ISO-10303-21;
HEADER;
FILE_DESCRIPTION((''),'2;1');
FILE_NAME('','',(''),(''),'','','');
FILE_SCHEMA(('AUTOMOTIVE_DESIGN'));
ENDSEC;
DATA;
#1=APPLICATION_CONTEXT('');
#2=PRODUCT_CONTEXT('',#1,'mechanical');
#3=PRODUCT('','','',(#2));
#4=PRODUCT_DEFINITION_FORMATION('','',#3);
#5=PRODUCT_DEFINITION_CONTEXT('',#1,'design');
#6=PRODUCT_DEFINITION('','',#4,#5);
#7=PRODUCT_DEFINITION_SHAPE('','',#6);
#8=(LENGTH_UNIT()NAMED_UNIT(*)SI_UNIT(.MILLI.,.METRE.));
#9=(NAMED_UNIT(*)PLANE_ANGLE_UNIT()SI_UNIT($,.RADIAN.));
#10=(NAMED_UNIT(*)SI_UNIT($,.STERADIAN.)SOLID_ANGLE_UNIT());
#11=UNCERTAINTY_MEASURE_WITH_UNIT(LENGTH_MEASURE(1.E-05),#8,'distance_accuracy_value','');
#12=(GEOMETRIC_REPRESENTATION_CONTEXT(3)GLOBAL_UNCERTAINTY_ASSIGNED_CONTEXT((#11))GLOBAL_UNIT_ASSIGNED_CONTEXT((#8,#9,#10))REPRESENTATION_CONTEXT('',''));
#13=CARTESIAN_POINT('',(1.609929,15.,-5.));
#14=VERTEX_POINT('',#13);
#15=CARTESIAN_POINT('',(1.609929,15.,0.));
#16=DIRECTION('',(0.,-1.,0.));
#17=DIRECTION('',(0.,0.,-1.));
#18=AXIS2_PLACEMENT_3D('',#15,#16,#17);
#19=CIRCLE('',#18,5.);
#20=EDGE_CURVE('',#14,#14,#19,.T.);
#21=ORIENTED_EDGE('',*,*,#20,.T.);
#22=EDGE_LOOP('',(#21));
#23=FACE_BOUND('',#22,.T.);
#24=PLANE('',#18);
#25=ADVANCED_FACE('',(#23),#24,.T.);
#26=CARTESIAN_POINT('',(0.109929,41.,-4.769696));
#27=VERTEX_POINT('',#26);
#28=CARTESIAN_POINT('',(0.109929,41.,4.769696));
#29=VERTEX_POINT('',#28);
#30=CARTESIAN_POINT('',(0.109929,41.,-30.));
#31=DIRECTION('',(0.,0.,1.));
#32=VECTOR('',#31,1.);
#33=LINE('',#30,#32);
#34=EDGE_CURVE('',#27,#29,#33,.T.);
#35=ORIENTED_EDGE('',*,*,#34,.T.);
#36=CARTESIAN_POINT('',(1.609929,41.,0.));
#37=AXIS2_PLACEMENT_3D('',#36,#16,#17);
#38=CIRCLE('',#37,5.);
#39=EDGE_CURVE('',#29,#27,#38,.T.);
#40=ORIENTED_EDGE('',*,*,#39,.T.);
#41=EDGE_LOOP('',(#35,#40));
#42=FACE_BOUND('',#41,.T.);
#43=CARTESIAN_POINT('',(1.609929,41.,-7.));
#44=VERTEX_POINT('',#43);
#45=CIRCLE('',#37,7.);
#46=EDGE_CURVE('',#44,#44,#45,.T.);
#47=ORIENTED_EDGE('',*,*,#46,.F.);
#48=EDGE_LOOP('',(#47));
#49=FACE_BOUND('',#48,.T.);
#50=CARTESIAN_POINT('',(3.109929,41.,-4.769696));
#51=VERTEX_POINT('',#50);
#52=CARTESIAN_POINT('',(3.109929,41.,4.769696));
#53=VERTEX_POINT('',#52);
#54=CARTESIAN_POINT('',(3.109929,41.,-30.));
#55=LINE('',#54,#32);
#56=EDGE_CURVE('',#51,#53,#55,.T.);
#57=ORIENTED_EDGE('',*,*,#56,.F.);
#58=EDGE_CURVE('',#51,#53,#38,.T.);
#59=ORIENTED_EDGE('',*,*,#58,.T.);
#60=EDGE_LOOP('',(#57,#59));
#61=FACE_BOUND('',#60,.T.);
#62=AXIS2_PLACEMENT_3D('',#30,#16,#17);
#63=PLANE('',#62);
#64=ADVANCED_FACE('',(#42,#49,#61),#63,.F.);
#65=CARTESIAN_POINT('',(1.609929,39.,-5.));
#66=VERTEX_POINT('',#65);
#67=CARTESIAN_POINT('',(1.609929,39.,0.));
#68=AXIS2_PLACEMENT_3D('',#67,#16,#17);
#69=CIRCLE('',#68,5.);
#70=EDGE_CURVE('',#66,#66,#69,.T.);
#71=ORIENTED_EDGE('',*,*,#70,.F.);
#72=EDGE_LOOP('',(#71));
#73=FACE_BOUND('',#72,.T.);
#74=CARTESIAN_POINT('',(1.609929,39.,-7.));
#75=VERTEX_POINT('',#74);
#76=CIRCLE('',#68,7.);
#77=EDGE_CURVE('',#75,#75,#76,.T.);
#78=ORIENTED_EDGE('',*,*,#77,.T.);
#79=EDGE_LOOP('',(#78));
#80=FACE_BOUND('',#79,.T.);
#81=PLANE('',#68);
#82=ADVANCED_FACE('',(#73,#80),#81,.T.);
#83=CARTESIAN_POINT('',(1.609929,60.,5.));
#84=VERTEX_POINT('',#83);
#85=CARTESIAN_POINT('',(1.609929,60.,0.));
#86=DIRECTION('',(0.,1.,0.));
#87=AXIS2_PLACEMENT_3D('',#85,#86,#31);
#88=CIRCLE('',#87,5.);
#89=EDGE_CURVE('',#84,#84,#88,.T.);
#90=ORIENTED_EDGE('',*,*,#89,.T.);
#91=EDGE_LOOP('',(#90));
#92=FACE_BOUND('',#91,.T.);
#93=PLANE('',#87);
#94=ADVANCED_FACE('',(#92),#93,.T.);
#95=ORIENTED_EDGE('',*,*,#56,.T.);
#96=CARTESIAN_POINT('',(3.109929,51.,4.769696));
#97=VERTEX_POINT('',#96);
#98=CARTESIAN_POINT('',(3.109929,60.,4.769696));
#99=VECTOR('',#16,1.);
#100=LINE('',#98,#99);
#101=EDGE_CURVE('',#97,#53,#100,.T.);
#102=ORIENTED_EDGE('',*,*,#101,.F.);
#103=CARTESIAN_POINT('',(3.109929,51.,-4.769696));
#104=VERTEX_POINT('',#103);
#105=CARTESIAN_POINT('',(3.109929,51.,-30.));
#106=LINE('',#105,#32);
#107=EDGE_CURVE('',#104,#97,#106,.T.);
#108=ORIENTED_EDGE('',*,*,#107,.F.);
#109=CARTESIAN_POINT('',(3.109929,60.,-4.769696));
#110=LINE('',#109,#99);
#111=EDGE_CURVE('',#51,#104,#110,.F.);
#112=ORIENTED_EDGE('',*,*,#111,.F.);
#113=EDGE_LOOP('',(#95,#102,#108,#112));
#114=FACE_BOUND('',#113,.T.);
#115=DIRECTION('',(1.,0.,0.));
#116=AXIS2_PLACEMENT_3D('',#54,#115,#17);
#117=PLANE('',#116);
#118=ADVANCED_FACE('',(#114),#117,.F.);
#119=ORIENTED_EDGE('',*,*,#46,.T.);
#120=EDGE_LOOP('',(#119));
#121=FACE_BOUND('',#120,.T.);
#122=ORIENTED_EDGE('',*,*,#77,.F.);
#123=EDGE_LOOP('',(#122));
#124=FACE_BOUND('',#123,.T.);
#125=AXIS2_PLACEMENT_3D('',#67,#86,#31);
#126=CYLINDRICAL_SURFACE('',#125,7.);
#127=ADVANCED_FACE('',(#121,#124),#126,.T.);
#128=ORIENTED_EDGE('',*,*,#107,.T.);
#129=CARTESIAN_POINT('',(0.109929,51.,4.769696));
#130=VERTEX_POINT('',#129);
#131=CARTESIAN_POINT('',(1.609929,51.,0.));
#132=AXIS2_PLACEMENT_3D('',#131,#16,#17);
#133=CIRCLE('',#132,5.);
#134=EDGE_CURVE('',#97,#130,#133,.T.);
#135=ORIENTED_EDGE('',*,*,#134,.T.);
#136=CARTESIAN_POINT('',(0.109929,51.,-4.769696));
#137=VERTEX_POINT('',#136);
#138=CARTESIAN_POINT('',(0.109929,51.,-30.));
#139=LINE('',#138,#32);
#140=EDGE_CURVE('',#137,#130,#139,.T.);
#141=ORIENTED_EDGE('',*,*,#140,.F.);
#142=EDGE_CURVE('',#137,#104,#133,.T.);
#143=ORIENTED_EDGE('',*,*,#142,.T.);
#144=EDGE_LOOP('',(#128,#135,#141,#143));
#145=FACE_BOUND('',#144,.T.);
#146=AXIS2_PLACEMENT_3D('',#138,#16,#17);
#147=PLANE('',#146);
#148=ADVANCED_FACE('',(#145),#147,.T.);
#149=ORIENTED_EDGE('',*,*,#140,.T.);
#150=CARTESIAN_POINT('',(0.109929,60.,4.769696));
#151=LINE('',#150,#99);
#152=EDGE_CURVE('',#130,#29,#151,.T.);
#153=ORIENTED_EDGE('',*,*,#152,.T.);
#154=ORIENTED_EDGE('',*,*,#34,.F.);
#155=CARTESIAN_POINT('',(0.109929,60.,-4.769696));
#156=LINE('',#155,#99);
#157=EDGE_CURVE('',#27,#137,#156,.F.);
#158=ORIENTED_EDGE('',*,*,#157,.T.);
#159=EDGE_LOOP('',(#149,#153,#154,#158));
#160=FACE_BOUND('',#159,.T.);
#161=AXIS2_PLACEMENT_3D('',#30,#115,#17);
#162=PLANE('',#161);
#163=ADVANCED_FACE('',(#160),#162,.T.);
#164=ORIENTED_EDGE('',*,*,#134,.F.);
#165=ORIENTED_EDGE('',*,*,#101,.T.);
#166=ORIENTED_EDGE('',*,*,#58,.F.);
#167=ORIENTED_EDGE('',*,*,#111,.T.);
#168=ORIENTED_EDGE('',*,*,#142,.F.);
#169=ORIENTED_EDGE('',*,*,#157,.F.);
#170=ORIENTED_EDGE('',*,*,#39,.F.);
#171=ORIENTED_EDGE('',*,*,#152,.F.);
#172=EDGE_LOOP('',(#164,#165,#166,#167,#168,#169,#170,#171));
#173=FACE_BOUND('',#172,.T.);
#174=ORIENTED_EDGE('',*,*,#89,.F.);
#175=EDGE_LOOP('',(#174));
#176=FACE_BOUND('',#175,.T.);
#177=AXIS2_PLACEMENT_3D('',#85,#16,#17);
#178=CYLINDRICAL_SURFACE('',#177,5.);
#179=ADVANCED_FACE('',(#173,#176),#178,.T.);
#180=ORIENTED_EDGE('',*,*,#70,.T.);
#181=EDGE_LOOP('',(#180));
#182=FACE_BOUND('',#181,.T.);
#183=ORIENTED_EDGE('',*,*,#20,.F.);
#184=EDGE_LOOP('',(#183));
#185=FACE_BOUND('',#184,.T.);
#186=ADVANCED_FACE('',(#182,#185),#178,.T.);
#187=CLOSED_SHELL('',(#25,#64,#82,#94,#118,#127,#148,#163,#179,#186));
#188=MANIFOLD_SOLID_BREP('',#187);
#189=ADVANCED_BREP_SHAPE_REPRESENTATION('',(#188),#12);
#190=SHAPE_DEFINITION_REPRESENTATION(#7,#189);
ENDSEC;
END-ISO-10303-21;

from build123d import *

# Parameters (mm, degrees)
SKETCH1_R           = 5
BOSS_EXTRUDE1_DEPTH = 60
SKETCH2_W           = 3
SKETCH2_H           = 10
CUT_EXTRUDE2_DEPTH  = 30
SKETCH3_R           = 5
CUT_EXTRUDE3_DEPTH  = 15
BOSS_EXTRUDE2_START = -26
SKETCH4_R           = 7
BOSS_EXTRUDE2_DEPTH = 2


with BuildPart() as part:
    # Sketch1 → Boss-Extrude1 (new body)
    with BuildSketch(Plane(origin=(0, 0, 0), x_dir=(1, 0, 0), z_dir=(0, 1, 0))):
        with Locations(Location((1.609928916, 0, 0), (0, 0, 270))):
            Circle(SKETCH1_R)
    extrude(amount=BOSS_EXTRUDE1_DEPTH)

    # Sketch2 → Cut-Extrude2 (cut, symmetric)
    with BuildSketch(Plane.XY):
        with Locations((1.609928916, 46)):
            Rectangle(SKETCH2_W, SKETCH2_H)
    extrude(amount=CUT_EXTRUDE2_DEPTH, both=True, mode=Mode.SUBTRACT)

    # Sketch3 → Cut-Extrude3 (cut)
    with BuildSketch(Plane.XZ):
        with Locations(Location((1.609928916, 0, 0), (0, 0, 270))):
            Circle(SKETCH3_R)
    extrude(amount=-CUT_EXTRUDE3_DEPTH, mode=Mode.SUBTRACT)

    # Sketch4 → Boss-Extrude2 (add)
    with BuildSketch(Plane.XZ.offset(-15).offset(BOSS_EXTRUDE2_START)):
        with Locations(Location((1.609928916, 0, 0), (0, 0, 270))):
            Circle(SKETCH4_R)
    extrude(amount=BOSS_EXTRUDE2_DEPTH)


solid = part.part
